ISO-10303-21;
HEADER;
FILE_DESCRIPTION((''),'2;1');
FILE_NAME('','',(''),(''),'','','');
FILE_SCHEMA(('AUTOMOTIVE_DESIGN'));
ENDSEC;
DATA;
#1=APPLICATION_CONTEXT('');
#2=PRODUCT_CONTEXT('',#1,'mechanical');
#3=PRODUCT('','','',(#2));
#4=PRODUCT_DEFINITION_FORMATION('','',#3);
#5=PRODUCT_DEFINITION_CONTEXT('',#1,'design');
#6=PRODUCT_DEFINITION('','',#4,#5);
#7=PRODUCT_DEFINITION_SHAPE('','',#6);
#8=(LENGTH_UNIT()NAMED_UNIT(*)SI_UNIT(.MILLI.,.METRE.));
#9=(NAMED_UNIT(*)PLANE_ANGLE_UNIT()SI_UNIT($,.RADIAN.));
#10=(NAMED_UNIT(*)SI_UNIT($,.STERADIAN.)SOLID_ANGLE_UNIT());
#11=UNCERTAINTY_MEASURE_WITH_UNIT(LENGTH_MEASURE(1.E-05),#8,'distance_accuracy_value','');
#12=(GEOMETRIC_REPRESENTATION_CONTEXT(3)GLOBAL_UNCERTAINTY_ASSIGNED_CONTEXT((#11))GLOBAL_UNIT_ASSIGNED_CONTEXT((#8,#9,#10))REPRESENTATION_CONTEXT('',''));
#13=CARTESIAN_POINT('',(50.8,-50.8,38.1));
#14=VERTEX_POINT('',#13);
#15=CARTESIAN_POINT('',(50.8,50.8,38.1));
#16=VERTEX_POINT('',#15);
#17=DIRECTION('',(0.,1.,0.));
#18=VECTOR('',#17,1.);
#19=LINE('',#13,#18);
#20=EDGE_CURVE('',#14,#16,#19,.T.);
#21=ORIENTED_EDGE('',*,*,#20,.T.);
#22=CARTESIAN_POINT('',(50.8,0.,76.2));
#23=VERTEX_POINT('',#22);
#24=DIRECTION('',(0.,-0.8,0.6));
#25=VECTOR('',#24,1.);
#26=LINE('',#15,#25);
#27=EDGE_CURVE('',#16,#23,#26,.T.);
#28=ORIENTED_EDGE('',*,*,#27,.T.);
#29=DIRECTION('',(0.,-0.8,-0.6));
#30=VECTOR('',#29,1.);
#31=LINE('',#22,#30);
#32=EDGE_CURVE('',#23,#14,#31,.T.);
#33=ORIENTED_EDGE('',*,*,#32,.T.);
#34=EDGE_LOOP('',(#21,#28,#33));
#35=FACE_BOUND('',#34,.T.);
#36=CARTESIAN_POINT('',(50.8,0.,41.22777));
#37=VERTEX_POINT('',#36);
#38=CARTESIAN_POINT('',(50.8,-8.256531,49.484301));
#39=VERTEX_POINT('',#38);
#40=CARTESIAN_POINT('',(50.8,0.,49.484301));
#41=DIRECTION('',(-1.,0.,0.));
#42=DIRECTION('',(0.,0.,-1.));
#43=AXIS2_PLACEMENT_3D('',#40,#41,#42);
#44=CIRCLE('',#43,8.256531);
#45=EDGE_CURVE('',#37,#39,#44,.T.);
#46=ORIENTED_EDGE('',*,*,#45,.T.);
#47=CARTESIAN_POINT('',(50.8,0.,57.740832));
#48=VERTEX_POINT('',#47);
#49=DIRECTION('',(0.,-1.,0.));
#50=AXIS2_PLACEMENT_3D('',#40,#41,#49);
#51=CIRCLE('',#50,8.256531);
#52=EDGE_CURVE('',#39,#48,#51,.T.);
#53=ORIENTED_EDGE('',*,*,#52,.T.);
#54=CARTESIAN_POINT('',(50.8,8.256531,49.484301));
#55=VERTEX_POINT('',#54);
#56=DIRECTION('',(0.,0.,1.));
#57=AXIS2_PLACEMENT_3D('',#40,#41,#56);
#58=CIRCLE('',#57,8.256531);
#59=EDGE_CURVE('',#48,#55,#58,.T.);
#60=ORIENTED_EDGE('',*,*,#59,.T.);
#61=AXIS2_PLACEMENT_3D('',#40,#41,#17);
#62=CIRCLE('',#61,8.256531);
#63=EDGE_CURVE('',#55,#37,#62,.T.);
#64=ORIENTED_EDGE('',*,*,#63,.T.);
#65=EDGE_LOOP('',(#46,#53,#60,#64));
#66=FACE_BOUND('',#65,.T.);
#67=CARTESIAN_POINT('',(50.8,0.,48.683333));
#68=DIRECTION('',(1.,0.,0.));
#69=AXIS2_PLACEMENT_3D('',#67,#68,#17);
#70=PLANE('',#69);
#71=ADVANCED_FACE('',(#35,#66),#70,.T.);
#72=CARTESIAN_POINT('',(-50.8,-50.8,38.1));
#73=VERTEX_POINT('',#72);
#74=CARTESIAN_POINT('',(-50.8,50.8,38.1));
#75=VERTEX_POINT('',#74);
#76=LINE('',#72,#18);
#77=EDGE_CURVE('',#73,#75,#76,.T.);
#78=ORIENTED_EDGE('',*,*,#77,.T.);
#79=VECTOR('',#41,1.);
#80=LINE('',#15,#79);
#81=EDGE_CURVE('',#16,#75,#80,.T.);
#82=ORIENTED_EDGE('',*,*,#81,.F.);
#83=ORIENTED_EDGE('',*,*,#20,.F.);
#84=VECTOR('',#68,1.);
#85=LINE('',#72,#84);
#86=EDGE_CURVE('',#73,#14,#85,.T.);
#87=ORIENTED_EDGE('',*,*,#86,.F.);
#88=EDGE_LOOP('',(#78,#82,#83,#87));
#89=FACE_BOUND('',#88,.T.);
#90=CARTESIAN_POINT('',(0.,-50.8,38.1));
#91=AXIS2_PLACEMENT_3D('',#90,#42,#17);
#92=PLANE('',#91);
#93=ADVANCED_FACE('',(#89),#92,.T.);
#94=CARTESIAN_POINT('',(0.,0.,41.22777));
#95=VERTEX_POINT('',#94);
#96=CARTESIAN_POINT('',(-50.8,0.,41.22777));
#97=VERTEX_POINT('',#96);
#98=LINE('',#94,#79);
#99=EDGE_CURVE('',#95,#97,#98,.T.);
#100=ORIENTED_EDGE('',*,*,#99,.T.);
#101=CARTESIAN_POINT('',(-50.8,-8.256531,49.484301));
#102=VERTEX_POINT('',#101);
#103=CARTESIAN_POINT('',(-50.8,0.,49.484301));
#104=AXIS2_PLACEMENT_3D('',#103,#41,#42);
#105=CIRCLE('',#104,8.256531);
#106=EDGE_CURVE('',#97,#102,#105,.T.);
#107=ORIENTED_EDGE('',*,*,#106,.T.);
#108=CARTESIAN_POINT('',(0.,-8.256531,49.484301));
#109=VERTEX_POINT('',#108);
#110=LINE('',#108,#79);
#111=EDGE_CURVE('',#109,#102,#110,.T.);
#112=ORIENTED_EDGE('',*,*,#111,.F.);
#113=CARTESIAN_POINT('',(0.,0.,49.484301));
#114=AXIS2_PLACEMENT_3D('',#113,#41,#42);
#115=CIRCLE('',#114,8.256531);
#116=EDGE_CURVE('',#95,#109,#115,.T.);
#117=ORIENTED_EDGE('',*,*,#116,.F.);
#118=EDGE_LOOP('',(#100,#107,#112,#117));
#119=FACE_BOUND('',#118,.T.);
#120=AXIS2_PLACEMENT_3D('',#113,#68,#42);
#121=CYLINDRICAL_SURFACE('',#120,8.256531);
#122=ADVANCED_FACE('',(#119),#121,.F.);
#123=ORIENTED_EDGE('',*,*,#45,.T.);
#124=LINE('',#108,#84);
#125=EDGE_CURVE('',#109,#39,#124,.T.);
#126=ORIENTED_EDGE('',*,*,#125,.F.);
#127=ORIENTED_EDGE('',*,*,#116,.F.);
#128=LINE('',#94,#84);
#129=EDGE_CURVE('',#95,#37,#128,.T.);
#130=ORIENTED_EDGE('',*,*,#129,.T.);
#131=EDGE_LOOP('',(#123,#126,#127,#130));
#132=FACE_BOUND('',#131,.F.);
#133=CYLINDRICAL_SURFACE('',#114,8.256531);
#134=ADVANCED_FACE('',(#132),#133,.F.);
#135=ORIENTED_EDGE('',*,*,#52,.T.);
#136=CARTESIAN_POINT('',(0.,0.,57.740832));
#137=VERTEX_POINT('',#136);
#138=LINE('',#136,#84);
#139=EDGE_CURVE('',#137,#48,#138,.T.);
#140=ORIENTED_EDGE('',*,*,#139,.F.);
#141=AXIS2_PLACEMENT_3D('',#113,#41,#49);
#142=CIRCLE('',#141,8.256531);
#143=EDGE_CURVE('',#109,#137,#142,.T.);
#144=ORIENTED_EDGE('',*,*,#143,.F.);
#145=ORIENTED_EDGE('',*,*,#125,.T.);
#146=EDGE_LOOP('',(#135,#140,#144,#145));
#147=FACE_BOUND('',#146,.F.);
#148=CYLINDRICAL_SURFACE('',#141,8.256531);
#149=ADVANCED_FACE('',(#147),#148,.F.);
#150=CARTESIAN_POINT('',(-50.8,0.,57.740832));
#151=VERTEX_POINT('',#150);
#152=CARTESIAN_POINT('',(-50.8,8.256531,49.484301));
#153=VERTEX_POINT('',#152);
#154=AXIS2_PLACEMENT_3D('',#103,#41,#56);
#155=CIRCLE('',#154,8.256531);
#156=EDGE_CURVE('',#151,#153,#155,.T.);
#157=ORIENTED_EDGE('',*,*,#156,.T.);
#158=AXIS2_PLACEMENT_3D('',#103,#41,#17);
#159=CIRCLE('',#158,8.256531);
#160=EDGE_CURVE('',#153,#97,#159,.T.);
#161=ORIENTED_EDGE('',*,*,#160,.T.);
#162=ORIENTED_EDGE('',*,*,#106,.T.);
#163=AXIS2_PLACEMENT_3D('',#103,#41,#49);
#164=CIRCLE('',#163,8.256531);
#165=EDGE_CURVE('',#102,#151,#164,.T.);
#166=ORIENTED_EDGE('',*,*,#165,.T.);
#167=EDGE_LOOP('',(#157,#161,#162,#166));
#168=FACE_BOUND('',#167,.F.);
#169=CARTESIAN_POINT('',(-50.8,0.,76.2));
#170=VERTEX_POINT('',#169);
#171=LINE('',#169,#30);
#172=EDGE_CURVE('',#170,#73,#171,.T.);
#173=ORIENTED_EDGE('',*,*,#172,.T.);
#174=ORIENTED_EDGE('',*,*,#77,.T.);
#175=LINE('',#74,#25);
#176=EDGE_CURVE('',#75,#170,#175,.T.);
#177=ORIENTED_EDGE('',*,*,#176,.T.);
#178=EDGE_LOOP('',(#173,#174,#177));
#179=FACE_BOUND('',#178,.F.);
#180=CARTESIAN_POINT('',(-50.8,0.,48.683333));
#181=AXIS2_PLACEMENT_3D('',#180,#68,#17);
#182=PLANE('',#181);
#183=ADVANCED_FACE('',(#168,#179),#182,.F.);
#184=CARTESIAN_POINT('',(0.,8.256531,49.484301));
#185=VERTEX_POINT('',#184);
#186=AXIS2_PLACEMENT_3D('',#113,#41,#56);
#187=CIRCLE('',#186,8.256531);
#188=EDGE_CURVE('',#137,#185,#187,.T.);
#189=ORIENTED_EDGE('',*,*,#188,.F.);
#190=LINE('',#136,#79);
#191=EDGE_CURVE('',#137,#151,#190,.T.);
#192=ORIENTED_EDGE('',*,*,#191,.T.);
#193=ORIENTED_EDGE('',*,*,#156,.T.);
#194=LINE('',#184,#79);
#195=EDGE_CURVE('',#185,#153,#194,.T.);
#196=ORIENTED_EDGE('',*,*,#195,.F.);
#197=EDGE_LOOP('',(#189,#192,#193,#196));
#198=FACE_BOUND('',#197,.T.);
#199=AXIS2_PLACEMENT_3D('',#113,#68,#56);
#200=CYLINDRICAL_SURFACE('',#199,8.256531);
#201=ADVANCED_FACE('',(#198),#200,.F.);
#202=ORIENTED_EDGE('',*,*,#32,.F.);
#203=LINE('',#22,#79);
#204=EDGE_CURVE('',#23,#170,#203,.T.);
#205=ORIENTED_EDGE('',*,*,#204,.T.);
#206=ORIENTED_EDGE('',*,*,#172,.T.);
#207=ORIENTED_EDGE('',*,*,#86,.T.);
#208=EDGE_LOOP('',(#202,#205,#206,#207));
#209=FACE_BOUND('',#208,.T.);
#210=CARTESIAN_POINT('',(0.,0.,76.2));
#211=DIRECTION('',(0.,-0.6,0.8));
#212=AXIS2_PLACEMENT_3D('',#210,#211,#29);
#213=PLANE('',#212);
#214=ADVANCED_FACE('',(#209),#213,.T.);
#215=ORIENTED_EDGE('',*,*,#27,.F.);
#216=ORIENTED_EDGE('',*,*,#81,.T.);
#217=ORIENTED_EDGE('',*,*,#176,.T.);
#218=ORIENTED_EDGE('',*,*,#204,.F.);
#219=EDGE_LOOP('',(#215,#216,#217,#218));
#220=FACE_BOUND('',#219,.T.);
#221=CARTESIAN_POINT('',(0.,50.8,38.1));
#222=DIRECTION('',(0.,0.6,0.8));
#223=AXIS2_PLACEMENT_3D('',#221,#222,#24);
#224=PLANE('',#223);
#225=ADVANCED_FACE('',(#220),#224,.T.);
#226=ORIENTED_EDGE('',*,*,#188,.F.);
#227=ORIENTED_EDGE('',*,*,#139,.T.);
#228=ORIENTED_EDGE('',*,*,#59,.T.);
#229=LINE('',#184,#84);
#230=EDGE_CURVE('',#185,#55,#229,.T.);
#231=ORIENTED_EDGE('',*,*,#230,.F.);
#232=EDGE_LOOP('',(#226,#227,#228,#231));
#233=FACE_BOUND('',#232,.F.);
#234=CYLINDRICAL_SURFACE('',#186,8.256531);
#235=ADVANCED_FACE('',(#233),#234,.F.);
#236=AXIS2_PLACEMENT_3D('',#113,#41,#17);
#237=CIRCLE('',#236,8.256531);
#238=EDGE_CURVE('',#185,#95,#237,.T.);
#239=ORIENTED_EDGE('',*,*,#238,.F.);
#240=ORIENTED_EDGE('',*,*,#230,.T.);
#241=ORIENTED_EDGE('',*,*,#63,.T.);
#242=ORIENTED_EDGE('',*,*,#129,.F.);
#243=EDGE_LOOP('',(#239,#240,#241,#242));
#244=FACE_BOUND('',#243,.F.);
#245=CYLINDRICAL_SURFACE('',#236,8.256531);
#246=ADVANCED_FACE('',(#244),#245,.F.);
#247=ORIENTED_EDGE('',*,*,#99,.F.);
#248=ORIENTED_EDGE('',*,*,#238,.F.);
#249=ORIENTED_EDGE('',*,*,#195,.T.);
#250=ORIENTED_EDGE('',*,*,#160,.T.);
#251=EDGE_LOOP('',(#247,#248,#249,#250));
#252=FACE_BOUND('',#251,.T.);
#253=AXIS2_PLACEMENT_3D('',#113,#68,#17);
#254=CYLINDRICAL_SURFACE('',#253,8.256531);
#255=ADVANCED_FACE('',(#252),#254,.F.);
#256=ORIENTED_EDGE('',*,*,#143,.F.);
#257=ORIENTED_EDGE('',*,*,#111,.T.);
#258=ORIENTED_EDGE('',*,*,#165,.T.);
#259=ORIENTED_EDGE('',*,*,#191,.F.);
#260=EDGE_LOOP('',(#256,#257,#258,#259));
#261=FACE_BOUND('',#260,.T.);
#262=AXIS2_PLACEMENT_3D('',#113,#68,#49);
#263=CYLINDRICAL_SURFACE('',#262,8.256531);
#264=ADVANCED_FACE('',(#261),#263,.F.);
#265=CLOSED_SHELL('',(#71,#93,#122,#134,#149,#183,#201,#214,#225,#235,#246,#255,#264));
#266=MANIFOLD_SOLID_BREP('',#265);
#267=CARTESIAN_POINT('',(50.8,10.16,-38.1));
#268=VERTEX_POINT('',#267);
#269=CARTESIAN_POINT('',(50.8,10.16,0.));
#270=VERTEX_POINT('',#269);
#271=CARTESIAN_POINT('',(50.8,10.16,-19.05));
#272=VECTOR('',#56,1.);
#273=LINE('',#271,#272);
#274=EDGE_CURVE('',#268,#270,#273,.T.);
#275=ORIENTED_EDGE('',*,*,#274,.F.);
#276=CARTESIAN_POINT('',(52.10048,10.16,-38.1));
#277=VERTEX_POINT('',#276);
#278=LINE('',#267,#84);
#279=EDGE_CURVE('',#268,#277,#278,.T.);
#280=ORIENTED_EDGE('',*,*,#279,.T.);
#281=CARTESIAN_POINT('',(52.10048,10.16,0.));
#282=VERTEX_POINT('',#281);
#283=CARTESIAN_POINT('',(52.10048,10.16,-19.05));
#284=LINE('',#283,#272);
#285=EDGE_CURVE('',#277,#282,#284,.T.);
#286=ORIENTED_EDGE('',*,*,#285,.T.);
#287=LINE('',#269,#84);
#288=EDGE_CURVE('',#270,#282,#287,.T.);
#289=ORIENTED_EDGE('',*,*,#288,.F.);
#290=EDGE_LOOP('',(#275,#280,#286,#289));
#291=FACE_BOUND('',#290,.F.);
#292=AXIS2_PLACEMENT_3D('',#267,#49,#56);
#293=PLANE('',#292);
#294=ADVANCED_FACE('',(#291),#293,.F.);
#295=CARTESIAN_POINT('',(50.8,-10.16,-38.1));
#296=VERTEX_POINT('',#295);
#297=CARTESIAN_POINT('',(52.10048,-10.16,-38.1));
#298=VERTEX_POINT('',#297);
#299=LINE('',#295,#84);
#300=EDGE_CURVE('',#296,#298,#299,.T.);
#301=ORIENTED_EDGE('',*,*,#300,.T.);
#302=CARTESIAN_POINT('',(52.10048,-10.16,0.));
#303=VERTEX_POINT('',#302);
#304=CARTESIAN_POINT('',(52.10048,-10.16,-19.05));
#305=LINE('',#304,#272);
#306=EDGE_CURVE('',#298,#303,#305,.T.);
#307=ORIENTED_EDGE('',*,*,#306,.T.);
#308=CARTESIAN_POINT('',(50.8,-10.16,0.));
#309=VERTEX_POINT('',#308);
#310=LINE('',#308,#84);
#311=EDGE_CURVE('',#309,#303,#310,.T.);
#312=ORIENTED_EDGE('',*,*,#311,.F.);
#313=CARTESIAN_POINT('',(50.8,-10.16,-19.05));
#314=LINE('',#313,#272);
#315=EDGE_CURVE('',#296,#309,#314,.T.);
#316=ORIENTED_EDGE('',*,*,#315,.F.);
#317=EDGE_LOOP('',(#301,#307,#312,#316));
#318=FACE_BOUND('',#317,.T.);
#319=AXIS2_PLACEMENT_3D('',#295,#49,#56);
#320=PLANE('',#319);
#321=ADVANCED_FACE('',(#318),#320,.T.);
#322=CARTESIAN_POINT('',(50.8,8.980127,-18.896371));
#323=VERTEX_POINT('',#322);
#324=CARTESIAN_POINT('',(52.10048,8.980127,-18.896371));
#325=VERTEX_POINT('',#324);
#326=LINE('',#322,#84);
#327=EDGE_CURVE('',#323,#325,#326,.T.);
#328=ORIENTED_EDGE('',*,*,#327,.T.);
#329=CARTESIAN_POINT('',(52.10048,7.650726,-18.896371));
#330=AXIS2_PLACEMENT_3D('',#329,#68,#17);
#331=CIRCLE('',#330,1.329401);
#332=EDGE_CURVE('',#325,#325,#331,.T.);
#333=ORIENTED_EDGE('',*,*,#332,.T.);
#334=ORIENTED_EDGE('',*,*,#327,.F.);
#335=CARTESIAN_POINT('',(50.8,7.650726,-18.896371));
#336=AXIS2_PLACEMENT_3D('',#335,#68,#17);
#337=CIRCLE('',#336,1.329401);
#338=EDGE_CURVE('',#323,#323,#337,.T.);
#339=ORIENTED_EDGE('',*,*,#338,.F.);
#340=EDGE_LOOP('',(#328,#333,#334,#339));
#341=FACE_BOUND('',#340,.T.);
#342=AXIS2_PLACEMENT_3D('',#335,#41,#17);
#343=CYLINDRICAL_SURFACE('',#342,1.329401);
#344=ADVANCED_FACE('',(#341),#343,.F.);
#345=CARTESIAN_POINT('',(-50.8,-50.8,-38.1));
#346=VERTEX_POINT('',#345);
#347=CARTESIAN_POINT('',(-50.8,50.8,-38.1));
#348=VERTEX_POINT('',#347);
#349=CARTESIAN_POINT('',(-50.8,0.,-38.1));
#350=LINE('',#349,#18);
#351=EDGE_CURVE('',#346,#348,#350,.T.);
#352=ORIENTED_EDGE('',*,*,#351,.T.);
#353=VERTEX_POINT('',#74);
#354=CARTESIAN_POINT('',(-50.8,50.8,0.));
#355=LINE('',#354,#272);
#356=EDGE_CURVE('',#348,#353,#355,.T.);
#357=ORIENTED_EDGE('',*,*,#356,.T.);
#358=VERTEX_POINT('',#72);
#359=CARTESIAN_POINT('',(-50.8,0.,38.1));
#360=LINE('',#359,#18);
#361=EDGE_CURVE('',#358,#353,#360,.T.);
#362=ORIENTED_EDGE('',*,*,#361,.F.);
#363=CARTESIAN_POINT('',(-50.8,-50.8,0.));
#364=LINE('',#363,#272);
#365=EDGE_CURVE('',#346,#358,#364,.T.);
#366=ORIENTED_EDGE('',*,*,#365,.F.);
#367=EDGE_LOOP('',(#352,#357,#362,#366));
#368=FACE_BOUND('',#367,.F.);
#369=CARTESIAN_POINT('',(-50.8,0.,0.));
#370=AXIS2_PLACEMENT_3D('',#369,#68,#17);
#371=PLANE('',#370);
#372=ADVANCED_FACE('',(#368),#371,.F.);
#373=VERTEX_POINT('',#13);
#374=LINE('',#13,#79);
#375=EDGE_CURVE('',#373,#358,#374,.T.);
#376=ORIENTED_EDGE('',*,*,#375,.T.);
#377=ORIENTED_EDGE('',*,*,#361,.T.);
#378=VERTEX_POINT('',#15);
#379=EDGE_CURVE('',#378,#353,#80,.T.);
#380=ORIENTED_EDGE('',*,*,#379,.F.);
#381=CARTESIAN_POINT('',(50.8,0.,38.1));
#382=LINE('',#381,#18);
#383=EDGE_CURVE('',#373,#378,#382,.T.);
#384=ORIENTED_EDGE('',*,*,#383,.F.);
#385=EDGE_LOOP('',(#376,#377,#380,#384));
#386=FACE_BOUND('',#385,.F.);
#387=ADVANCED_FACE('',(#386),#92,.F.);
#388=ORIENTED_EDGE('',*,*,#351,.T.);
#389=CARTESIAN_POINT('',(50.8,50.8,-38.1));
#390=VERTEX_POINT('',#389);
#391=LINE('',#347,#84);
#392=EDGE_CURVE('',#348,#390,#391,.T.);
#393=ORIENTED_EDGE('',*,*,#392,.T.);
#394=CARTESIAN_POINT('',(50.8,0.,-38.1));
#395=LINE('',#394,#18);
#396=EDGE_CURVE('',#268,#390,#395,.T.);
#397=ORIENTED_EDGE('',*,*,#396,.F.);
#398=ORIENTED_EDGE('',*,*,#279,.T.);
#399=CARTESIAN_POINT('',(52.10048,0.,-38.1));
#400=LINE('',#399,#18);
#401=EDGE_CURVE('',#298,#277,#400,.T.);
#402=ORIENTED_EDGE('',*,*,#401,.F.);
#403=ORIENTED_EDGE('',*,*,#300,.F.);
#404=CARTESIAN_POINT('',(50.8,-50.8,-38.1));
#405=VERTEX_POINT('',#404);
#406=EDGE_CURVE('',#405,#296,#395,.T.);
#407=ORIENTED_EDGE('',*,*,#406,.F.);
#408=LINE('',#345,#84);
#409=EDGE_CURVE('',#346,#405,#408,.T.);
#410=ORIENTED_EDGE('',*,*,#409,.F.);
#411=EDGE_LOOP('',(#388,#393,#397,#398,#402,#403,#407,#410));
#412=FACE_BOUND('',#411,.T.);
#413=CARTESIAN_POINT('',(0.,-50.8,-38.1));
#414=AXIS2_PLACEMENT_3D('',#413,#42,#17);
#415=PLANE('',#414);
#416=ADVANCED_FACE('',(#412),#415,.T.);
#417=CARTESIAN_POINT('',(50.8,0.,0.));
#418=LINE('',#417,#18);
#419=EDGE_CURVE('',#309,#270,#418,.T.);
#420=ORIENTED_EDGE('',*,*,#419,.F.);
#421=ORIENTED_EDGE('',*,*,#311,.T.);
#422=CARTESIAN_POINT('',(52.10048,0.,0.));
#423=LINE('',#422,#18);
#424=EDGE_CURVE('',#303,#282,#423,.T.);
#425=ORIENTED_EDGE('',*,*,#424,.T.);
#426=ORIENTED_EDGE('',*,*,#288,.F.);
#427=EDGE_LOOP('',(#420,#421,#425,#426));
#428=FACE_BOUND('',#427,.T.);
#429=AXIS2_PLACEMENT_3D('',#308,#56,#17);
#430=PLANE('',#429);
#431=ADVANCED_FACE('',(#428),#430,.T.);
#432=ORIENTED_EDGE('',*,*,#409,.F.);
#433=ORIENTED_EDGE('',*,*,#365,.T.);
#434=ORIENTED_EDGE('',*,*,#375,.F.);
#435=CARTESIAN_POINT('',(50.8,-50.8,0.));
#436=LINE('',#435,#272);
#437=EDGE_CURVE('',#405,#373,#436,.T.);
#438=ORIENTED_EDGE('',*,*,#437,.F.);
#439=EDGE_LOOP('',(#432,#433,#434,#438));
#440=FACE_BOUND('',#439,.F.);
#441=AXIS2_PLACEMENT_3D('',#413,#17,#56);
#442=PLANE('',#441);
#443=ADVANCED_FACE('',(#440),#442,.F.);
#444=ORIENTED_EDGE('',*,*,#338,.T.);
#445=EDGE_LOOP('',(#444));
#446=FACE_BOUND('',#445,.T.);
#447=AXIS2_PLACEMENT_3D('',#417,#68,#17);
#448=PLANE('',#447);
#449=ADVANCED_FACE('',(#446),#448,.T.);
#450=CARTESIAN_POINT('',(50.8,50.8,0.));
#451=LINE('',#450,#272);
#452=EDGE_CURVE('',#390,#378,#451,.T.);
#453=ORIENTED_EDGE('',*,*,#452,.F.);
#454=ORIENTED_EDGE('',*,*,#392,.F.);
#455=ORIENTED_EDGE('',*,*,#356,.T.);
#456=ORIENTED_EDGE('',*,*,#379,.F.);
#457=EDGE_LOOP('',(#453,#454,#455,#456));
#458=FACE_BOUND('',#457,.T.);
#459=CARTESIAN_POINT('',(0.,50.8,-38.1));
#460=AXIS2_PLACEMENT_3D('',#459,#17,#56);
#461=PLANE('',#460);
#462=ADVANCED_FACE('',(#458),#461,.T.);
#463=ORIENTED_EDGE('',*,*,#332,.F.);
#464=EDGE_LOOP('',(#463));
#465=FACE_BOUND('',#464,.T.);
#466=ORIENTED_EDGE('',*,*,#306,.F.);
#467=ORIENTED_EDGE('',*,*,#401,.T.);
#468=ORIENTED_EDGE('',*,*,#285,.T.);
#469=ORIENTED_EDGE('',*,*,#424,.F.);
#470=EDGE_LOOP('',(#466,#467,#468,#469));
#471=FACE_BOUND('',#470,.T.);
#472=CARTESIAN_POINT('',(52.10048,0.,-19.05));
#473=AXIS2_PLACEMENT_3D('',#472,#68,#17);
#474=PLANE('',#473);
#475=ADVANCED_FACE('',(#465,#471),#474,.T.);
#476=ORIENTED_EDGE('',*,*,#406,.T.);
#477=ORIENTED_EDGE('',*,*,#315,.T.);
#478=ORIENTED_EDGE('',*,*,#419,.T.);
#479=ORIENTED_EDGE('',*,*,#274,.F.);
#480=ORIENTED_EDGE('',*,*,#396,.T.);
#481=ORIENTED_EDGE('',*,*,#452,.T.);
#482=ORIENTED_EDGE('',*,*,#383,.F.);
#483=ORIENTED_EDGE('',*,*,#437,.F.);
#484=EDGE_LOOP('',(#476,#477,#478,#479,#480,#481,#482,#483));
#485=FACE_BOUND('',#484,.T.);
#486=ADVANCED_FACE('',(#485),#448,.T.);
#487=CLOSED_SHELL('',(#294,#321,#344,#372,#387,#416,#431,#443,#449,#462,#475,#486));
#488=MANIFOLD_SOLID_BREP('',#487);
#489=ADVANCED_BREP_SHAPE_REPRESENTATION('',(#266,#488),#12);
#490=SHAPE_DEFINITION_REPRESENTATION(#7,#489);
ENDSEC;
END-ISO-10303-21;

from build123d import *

# Parameters (mm, degrees)
F0_W          = 101.6
F0_H          = 76.2
F2_DEPTH      = 50.8
F2_DEPTH_BACK = 50.8
F3_W          = 20.32
F3_H          = 38.1
F3_R          = 1.3294008676
F4_DEPTH      = 1.30048


with BuildPart() as f2:
    # F0 (on Right) → F2 (new body, two sides)
    with BuildSketch(Plane.YZ) as f2_sk:
        Rectangle(F0_W, F0_H)
    extrude(amount=F2_DEPTH)
    extrude(f2_sk.sketch, amount=-F2_DEPTH_BACK)

    # F3 (on face) → F4 (join)
    with BuildSketch(Plane.YZ.offset(50.8)):
        with Locations((0, -19.05)):
            Rectangle(F3_W, F3_H)
        with Locations((7.6507260092, -18.8963711262)):
            Circle(F3_R, mode=Mode.SUBTRACT)
    extrude(amount=F4_DEPTH)


with BuildPart() as f2b:
    # F1 (on face) → F2, piece 2 (new body, two sides)
    with BuildSketch(Plane.YZ) as f2_2_sk:
        Polygon((0, 76.2), (-50.8, 38.1), (50.8, 38.1), align=None)
        with BuildLine():
            ThreePointArc((0, 57.7408315491), (5.8382487534, 55.3225497349), (8.2565305675, 49.4843009816))
            ThreePointArc((8.2565305675, 49.4843009816), (5.8382487534, 43.6460522282), (0, 41.2277704141))
            ThreePointArc((0, 41.2277704141), (-5.8382487534, 43.6460522282), (-8.2565305675, 49.4843009816))
            ThreePointArc((-8.2565305675, 49.4843009816), (-5.8382487534, 55.3225497349), (0, 57.7408315491))
        make_face(mode=Mode.SUBTRACT)
    extrude(amount=F2_DEPTH)
    extrude(f2_2_sk.sketch, amount=-F2_DEPTH_BACK)


solid = Compound([f2.part, f2b.part])
